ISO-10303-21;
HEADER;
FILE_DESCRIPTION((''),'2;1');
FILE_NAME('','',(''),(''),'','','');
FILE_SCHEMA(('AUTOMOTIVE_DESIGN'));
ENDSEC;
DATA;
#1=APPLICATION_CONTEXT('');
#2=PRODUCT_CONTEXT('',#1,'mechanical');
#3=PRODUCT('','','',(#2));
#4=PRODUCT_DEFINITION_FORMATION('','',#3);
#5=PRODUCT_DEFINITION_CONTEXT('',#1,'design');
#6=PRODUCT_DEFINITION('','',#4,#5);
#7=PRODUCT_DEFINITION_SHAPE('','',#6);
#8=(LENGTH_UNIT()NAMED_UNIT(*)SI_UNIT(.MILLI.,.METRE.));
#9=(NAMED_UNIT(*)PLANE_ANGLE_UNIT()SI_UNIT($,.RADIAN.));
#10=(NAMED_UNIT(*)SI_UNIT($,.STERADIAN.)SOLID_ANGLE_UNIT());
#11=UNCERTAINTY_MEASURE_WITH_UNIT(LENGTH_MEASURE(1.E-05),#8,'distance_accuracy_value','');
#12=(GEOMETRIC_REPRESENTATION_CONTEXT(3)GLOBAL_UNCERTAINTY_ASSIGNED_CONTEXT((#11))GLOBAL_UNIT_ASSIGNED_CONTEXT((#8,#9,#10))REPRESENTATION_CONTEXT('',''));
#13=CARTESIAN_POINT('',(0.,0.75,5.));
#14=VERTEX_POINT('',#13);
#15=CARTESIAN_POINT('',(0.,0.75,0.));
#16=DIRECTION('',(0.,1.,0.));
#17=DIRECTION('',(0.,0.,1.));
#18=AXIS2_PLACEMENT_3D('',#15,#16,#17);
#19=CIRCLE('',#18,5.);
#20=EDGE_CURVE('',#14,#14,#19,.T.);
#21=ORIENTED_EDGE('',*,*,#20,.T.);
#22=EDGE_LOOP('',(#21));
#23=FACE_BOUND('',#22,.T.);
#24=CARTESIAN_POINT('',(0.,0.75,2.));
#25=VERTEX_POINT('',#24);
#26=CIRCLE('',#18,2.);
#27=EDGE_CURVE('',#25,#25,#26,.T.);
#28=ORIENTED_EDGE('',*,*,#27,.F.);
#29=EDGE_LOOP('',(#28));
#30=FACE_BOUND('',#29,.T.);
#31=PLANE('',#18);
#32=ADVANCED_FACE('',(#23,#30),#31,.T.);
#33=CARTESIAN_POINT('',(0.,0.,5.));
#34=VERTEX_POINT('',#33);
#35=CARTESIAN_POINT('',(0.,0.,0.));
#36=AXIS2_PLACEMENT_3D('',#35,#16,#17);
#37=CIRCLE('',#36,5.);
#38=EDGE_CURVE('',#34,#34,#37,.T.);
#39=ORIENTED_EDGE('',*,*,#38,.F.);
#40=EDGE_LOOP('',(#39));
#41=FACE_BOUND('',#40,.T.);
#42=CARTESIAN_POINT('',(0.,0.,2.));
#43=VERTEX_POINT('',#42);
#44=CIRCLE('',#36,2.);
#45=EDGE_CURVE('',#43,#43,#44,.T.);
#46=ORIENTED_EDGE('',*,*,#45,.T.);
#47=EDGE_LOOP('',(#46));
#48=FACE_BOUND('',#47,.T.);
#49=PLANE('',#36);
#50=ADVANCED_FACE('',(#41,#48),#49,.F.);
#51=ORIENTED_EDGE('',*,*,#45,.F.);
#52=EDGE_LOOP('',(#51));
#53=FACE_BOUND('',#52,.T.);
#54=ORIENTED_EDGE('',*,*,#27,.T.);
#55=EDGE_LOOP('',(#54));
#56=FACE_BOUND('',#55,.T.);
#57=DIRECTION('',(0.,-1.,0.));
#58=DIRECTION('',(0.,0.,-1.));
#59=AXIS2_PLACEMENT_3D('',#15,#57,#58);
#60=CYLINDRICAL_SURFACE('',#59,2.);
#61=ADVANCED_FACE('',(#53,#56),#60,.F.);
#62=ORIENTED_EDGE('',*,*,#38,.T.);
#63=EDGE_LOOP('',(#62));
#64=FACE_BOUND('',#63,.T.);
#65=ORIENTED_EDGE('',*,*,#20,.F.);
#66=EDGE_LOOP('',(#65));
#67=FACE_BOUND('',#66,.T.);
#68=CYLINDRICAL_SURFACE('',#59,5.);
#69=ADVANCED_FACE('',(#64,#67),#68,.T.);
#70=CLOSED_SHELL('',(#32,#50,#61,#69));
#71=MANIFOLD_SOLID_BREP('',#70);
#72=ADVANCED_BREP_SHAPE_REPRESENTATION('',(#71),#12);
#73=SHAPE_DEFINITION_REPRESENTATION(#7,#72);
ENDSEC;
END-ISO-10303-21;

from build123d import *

# Parameters (mm, degrees)
SKETCH1_R           = 5
SKETCH1_R_2         = 2
BOSS_EXTRUDE1_DEPTH = 0.75


with BuildPart() as part:
    # Sketch1 → Boss-Extrude1 (new body)
    with BuildSketch(Plane(origin=(0, 0, 0), x_dir=(1, 0, 0), z_dir=(0, 1, 0))):
        with Locations(Location((0, 0, 0), (0, 0, 270))):
            Circle(SKETCH1_R)
        with Locations(Location((0, 0, 0), (0, 0, 270))):
            Circle(SKETCH1_R_2, mode=Mode.SUBTRACT)
    extrude(amount=BOSS_EXTRUDE1_DEPTH)


solid = part.part
